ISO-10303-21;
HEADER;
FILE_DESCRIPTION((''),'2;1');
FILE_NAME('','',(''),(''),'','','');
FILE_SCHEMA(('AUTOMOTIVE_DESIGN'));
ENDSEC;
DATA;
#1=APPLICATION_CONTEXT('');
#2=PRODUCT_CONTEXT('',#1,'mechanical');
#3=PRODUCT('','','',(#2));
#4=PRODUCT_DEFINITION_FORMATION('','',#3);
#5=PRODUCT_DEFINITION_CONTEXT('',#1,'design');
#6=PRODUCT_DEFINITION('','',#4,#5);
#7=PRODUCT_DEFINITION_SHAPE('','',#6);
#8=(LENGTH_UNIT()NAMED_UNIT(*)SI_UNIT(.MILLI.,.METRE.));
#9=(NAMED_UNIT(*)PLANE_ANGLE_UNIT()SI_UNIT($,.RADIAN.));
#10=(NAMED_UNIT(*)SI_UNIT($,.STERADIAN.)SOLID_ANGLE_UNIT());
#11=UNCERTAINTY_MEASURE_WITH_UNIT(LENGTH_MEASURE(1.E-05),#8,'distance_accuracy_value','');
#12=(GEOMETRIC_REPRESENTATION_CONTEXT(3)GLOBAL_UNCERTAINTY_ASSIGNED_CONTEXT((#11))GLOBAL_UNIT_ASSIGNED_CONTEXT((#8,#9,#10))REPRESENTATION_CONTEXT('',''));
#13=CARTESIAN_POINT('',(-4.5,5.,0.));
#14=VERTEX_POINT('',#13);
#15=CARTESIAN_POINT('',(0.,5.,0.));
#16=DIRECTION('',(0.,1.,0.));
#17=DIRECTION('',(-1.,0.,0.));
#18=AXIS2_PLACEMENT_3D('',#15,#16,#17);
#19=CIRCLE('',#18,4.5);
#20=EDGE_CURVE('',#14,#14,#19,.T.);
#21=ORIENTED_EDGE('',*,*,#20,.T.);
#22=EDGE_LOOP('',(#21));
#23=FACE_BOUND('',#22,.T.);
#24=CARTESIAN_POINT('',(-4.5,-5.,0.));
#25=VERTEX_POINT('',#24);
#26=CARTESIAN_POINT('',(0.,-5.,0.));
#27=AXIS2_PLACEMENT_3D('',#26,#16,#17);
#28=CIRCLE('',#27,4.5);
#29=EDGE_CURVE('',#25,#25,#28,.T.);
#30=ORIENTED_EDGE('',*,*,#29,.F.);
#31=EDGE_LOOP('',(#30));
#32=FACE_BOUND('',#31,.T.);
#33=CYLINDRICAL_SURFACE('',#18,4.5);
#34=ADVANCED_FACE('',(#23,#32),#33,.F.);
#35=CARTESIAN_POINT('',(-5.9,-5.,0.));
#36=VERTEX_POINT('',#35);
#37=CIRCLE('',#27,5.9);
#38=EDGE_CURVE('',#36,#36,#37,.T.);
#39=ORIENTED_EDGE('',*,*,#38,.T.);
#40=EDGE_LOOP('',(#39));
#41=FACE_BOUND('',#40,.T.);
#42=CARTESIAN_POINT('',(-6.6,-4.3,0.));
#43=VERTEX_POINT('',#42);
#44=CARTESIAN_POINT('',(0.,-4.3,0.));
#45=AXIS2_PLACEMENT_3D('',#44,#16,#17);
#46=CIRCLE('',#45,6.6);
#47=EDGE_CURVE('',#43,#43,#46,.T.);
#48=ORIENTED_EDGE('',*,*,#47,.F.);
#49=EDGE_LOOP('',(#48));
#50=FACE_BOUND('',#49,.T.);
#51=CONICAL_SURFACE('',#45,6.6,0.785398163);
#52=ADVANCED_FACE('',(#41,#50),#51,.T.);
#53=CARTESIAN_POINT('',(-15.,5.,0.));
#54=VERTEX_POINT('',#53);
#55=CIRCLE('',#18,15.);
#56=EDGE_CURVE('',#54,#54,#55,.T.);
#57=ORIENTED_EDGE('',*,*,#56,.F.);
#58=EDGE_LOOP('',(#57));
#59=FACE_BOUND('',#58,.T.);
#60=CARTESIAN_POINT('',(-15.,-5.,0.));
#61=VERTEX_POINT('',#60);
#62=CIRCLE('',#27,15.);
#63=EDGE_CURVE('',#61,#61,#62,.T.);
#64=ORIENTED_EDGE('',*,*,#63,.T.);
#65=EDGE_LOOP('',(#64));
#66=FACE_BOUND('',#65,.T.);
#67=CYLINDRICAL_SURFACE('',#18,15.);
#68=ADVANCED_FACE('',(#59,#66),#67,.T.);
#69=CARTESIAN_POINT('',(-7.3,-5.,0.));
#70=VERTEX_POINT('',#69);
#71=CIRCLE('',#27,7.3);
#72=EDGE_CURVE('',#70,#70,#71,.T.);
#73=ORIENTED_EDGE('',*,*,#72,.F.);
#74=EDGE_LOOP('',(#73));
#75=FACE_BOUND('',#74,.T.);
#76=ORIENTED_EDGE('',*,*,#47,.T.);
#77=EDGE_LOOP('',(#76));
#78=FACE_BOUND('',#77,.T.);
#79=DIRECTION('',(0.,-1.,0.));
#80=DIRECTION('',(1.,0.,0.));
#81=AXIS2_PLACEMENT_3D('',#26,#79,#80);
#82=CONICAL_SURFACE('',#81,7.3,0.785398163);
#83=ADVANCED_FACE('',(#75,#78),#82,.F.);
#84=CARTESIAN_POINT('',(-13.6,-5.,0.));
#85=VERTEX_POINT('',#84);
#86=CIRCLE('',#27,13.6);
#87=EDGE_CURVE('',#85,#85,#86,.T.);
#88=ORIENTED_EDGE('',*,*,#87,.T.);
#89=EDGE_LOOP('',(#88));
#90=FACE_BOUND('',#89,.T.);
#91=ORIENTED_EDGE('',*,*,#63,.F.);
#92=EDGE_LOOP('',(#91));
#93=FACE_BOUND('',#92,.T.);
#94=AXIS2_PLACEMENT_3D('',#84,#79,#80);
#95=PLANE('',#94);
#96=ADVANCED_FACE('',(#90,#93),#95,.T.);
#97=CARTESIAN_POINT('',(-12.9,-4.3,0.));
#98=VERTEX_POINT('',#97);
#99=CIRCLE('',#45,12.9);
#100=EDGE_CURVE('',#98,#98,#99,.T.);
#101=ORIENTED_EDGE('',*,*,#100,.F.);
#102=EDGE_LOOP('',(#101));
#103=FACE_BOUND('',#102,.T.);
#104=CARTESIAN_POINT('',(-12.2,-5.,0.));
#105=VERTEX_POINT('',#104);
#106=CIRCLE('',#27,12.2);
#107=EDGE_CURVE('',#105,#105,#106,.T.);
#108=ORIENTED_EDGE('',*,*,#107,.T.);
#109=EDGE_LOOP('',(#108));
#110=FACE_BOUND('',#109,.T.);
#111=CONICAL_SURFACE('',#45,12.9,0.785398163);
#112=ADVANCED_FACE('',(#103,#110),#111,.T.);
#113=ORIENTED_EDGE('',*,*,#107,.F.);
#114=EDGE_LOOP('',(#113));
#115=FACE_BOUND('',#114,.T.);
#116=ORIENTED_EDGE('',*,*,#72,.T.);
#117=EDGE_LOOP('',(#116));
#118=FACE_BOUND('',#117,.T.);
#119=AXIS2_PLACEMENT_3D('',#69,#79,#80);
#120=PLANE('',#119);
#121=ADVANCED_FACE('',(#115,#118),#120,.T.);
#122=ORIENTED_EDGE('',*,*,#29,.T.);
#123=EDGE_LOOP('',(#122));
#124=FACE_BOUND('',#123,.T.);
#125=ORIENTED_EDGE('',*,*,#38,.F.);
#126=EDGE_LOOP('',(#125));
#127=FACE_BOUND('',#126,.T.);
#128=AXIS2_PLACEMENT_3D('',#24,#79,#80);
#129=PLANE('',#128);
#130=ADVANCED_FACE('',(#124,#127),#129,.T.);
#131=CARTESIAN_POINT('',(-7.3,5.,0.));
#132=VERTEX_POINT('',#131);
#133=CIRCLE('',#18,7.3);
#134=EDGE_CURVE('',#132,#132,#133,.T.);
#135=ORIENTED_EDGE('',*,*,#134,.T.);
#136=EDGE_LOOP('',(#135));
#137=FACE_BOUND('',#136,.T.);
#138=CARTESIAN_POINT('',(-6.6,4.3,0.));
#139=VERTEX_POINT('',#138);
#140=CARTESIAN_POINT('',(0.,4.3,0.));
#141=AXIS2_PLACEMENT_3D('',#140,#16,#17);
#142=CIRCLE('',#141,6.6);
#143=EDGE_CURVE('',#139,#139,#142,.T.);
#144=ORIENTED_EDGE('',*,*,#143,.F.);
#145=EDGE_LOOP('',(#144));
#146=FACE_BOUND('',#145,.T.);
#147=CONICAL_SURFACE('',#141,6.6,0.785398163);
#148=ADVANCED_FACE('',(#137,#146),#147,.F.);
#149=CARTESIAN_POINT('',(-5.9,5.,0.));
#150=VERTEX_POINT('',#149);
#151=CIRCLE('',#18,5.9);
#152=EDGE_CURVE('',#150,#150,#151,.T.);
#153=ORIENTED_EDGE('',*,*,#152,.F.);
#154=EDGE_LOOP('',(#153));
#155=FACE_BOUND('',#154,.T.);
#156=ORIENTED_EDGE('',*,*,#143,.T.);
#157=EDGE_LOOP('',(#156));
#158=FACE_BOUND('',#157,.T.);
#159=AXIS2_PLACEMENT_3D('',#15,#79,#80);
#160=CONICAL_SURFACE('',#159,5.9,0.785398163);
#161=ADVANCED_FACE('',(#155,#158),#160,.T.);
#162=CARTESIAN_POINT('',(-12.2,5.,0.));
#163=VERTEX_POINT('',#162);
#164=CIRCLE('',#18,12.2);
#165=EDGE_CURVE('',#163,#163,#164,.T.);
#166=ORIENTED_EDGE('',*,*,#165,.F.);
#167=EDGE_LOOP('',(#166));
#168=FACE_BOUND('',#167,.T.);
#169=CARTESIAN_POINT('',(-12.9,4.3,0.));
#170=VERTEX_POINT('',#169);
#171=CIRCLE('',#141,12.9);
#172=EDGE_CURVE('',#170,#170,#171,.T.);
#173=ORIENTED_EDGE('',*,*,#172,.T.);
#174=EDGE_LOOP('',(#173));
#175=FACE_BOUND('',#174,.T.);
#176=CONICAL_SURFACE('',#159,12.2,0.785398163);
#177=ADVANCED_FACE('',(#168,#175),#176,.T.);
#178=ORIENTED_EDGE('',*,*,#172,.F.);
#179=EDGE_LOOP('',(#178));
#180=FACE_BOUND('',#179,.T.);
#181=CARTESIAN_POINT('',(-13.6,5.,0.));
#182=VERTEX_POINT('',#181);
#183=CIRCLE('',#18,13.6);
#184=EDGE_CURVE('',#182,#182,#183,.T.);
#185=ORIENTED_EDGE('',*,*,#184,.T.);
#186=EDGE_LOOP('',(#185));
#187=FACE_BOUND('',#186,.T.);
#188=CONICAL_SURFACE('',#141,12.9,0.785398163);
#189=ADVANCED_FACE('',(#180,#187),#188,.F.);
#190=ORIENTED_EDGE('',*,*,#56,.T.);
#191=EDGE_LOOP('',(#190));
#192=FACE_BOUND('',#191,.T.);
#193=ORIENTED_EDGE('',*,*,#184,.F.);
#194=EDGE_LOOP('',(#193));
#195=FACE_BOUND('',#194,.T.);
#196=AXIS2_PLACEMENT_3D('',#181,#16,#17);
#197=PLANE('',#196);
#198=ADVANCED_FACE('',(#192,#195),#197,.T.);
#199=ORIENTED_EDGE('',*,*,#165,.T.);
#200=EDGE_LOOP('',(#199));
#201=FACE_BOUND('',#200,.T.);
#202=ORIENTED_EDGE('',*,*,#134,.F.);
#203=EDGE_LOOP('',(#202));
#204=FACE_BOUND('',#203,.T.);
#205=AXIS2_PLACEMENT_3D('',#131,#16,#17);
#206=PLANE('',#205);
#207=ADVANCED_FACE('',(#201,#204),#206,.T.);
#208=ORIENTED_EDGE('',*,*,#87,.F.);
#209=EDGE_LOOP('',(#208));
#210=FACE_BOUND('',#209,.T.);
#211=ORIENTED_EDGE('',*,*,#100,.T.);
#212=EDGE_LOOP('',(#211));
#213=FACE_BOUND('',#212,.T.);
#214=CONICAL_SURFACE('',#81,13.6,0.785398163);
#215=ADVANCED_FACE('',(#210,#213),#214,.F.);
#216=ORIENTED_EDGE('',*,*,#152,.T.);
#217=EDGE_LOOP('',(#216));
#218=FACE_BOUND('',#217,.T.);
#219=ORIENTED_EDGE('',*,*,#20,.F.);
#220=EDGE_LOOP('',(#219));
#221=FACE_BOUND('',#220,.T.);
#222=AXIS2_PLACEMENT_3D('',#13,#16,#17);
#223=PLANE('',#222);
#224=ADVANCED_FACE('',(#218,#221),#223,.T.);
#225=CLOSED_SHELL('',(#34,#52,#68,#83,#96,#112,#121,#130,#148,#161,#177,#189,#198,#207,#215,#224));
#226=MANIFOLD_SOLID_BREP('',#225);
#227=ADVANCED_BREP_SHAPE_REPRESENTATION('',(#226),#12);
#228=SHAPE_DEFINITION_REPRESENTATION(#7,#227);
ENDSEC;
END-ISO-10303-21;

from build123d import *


with BuildPart() as part:
    # Sketch1 → Revolve1 (revolve)
    with BuildSketch(Plane.XY):
        Polygon((-4.5, 5), (-5.9, 5), (-6.6, 4.3), (-7.3, 5), (-12.2, 5), (-12.9, 4.3), (-13.6, 5), (-15, 5), (-15, -5), (-13.6, -5), (-12.9, -4.3), (-12.2, -5), (-7.3, -5), (-6.6, -4.3), (-5.9, -5), (-4.5, -5), align=None)
    revolve(axis=Axis((0, 5, 0), (0, -1, 0)))


solid = part.part
